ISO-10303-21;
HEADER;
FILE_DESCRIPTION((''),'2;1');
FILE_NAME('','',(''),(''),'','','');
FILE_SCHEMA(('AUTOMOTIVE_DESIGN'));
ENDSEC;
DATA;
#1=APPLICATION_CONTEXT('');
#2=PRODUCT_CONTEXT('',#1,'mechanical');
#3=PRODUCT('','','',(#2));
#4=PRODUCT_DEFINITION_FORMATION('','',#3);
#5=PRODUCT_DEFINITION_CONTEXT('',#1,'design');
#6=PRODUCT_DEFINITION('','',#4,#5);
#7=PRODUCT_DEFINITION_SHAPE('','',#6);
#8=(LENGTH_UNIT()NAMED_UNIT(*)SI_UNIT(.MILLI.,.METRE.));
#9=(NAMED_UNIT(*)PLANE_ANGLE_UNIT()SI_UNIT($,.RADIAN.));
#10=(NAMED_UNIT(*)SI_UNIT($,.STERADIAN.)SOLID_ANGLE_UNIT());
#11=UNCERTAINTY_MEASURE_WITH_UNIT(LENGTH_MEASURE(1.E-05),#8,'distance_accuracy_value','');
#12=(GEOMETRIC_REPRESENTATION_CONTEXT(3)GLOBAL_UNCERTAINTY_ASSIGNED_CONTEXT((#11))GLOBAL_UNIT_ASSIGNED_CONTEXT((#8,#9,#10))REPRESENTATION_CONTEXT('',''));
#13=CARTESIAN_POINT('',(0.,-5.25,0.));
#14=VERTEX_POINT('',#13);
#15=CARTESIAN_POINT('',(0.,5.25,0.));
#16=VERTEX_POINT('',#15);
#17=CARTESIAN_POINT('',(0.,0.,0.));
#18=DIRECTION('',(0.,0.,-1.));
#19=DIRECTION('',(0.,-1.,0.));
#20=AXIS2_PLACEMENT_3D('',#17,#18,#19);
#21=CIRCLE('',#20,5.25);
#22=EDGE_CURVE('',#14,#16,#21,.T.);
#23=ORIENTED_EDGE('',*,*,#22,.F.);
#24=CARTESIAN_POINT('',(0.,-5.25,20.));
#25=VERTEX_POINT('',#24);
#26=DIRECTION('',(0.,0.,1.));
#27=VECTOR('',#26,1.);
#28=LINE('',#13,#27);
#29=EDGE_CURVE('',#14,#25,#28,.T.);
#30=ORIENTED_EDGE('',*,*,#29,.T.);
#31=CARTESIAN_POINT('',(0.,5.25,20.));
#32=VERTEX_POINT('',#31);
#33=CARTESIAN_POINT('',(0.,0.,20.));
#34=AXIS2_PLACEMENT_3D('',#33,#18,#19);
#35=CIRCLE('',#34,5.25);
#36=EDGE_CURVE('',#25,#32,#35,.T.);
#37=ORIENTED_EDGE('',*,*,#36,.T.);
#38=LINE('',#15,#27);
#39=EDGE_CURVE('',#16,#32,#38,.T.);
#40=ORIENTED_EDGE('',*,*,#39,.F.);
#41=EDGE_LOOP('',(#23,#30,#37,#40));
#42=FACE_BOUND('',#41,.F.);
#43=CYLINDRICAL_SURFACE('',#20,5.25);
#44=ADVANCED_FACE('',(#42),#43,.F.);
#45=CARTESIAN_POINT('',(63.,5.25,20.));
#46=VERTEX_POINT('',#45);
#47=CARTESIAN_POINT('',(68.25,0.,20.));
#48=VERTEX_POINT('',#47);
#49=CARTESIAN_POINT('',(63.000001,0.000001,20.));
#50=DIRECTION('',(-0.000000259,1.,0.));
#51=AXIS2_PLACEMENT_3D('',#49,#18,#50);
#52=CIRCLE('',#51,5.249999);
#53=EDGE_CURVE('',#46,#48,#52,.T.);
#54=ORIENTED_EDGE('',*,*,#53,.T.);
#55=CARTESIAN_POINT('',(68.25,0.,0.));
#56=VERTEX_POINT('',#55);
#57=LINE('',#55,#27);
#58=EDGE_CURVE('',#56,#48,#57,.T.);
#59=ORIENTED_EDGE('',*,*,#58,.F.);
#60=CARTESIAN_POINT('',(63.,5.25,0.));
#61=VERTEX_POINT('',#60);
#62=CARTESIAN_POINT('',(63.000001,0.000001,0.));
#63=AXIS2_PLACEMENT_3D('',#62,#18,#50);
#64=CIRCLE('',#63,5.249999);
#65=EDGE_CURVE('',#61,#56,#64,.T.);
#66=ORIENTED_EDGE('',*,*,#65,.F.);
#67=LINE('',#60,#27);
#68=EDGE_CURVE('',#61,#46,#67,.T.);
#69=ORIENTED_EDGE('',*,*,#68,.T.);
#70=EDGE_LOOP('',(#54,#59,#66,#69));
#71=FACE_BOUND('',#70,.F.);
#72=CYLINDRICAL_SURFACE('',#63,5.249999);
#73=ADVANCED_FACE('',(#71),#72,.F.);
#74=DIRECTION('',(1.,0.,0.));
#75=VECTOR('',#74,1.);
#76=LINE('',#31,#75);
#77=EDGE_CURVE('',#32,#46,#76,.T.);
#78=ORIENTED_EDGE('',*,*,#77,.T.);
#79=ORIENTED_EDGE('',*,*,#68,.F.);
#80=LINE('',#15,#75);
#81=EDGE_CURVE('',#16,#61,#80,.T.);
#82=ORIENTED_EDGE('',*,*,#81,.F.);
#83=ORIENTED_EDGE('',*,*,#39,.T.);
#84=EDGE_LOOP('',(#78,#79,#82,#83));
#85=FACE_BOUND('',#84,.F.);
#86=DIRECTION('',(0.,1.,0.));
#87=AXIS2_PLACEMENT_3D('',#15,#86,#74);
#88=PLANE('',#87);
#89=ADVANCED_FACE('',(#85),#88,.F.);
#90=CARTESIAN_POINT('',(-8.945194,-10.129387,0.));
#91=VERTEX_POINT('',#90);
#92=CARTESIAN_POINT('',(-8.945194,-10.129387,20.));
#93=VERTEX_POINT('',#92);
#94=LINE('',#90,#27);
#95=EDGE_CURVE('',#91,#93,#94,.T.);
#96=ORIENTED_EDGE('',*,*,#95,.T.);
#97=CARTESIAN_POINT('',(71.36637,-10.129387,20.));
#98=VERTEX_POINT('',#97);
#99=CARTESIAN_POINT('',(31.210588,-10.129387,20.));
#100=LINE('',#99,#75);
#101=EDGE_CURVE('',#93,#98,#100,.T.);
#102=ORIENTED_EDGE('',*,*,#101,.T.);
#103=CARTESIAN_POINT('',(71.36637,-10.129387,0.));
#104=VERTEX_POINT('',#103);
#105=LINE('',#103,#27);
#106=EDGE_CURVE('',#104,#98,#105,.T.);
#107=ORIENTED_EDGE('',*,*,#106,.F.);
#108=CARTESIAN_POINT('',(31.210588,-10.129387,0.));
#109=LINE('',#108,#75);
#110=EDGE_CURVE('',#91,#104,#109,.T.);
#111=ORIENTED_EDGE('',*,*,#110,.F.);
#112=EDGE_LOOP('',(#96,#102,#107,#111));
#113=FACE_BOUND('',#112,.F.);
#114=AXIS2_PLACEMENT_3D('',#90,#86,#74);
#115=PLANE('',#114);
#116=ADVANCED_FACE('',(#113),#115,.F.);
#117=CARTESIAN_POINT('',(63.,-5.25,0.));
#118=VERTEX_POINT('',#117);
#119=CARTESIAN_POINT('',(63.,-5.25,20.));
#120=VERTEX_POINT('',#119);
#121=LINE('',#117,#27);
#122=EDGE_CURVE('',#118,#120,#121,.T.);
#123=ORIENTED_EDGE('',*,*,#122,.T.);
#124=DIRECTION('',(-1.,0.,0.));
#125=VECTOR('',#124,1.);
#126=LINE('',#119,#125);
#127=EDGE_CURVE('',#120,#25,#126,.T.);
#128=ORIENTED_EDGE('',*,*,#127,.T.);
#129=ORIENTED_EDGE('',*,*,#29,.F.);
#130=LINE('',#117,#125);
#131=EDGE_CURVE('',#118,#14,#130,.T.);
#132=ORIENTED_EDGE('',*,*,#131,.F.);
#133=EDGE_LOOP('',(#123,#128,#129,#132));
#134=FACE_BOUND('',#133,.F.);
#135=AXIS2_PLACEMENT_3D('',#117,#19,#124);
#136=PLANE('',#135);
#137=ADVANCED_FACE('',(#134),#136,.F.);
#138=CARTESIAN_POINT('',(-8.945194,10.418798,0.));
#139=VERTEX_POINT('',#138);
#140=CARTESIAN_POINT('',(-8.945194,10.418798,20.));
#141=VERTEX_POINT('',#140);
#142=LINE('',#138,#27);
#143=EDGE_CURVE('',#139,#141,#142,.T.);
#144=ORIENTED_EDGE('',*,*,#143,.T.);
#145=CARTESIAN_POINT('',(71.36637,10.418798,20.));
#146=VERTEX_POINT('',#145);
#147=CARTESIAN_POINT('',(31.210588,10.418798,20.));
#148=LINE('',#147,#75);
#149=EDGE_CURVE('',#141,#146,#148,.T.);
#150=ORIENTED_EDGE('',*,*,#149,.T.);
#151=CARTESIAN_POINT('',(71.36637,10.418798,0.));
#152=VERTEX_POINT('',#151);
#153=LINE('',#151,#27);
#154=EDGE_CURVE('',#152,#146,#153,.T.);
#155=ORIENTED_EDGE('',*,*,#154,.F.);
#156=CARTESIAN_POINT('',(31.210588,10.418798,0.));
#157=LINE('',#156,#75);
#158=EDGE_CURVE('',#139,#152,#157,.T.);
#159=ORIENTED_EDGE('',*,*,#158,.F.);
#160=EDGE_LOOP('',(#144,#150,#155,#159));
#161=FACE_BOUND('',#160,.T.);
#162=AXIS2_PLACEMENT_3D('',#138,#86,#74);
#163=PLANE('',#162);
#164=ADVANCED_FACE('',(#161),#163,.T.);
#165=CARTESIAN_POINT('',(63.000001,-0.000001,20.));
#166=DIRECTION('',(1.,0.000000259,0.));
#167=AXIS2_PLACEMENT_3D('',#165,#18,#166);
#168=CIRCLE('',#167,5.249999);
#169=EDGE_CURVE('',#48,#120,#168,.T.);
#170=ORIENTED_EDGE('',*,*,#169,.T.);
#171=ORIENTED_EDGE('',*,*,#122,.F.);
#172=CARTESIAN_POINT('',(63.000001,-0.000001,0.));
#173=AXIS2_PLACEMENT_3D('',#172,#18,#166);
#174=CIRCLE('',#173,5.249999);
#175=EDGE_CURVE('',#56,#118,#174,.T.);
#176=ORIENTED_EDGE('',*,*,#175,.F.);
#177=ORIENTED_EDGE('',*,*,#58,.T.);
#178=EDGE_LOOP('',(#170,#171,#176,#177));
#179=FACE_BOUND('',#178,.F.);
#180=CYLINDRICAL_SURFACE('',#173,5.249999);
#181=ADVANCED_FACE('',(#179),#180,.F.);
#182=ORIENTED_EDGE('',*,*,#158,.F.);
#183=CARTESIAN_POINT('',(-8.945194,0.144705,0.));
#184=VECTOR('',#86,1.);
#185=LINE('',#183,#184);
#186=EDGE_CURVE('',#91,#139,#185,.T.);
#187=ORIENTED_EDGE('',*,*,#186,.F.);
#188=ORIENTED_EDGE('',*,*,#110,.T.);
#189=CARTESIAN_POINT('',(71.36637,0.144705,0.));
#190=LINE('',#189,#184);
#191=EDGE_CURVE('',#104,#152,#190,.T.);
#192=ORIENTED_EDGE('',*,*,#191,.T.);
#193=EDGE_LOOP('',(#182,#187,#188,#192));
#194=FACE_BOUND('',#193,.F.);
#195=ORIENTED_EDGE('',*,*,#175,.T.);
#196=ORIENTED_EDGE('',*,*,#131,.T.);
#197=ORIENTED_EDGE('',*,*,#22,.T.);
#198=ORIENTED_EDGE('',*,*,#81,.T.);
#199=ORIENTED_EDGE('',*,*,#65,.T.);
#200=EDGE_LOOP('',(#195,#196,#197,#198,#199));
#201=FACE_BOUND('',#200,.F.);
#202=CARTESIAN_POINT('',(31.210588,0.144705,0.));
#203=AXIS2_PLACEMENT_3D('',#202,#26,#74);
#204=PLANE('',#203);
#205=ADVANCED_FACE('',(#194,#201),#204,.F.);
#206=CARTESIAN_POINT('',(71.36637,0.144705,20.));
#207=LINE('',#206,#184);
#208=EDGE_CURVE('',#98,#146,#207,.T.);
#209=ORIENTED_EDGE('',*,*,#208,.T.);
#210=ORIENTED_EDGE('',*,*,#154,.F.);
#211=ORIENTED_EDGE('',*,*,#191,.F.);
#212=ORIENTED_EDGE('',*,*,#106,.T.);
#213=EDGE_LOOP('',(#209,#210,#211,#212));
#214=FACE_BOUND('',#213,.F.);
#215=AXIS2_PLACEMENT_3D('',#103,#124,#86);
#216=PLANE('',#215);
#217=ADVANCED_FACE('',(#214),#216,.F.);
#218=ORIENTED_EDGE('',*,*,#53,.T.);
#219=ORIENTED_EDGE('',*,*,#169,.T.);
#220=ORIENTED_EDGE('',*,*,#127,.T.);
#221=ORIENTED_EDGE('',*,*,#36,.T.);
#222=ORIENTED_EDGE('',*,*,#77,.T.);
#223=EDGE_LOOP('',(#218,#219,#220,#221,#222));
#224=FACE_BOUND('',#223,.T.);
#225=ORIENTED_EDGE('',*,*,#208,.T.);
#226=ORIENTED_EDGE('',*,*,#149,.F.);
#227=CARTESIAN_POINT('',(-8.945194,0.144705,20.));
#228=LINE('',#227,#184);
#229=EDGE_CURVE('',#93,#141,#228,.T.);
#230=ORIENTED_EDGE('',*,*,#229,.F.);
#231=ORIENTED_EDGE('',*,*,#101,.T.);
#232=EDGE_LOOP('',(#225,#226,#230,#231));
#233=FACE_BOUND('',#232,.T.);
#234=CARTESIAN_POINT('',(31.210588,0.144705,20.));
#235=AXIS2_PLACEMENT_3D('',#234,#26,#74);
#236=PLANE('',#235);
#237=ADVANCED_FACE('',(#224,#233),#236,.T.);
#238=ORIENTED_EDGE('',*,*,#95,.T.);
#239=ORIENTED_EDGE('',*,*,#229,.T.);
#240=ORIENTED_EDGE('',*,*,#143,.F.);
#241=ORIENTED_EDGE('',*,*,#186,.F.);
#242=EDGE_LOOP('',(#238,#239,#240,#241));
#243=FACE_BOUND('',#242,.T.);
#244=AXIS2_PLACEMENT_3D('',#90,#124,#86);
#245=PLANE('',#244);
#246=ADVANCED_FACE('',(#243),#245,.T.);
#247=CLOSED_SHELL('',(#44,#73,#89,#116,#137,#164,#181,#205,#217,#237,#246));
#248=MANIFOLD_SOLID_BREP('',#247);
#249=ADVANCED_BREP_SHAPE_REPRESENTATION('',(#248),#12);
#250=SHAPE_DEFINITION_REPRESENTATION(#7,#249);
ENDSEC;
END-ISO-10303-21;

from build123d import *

# Parameters (mm, degrees)
F0_W     = 80.311564
F0_H     = 20.548185
F1_DEPTH = 20


with BuildPart() as f1:
    # F0 (on Top) → F1 (new body)
    with BuildSketch(Plane.XY):
        with Locations((31.210588, 0.144705)):
            Rectangle(F0_W, F0_H)
        with BuildLine():
            ThreePointArc((0, -5.25), (-5.25, 0), (0, 5.25))
            Line((0, 5.25), (10.5, 5.25))
            Line((10.5, 5.25), (21, 5.25))
            Line((21, 5.25), (31.5, 5.25))
            Line((31.5, 5.25), (42, 5.25))
            Line((42, 5.25), (52.5, 5.25))
            Line((52.5, 5.25), (63, 5.25))
            ThreePointArc((63, 5.25), (66.712311, 3.712311), (68.25, 0))
            ThreePointArc((68.25, 0), (66.712311, -3.712311), (63, -5.25))
            Line((63, -5.25), (52.5, -5.25))
            Line((52.5, -5.25), (42, -5.25))
            Line((42, -5.25), (31.5, -5.25))
            Line((31.5, -5.25), (21, -5.25))
            Line((21, -5.25), (10.5, -5.25))
            Line((10.5, -5.25), (0, -5.25))
        make_face(mode=Mode.SUBTRACT)
    extrude(amount=F1_DEPTH)


solid = f1.part
